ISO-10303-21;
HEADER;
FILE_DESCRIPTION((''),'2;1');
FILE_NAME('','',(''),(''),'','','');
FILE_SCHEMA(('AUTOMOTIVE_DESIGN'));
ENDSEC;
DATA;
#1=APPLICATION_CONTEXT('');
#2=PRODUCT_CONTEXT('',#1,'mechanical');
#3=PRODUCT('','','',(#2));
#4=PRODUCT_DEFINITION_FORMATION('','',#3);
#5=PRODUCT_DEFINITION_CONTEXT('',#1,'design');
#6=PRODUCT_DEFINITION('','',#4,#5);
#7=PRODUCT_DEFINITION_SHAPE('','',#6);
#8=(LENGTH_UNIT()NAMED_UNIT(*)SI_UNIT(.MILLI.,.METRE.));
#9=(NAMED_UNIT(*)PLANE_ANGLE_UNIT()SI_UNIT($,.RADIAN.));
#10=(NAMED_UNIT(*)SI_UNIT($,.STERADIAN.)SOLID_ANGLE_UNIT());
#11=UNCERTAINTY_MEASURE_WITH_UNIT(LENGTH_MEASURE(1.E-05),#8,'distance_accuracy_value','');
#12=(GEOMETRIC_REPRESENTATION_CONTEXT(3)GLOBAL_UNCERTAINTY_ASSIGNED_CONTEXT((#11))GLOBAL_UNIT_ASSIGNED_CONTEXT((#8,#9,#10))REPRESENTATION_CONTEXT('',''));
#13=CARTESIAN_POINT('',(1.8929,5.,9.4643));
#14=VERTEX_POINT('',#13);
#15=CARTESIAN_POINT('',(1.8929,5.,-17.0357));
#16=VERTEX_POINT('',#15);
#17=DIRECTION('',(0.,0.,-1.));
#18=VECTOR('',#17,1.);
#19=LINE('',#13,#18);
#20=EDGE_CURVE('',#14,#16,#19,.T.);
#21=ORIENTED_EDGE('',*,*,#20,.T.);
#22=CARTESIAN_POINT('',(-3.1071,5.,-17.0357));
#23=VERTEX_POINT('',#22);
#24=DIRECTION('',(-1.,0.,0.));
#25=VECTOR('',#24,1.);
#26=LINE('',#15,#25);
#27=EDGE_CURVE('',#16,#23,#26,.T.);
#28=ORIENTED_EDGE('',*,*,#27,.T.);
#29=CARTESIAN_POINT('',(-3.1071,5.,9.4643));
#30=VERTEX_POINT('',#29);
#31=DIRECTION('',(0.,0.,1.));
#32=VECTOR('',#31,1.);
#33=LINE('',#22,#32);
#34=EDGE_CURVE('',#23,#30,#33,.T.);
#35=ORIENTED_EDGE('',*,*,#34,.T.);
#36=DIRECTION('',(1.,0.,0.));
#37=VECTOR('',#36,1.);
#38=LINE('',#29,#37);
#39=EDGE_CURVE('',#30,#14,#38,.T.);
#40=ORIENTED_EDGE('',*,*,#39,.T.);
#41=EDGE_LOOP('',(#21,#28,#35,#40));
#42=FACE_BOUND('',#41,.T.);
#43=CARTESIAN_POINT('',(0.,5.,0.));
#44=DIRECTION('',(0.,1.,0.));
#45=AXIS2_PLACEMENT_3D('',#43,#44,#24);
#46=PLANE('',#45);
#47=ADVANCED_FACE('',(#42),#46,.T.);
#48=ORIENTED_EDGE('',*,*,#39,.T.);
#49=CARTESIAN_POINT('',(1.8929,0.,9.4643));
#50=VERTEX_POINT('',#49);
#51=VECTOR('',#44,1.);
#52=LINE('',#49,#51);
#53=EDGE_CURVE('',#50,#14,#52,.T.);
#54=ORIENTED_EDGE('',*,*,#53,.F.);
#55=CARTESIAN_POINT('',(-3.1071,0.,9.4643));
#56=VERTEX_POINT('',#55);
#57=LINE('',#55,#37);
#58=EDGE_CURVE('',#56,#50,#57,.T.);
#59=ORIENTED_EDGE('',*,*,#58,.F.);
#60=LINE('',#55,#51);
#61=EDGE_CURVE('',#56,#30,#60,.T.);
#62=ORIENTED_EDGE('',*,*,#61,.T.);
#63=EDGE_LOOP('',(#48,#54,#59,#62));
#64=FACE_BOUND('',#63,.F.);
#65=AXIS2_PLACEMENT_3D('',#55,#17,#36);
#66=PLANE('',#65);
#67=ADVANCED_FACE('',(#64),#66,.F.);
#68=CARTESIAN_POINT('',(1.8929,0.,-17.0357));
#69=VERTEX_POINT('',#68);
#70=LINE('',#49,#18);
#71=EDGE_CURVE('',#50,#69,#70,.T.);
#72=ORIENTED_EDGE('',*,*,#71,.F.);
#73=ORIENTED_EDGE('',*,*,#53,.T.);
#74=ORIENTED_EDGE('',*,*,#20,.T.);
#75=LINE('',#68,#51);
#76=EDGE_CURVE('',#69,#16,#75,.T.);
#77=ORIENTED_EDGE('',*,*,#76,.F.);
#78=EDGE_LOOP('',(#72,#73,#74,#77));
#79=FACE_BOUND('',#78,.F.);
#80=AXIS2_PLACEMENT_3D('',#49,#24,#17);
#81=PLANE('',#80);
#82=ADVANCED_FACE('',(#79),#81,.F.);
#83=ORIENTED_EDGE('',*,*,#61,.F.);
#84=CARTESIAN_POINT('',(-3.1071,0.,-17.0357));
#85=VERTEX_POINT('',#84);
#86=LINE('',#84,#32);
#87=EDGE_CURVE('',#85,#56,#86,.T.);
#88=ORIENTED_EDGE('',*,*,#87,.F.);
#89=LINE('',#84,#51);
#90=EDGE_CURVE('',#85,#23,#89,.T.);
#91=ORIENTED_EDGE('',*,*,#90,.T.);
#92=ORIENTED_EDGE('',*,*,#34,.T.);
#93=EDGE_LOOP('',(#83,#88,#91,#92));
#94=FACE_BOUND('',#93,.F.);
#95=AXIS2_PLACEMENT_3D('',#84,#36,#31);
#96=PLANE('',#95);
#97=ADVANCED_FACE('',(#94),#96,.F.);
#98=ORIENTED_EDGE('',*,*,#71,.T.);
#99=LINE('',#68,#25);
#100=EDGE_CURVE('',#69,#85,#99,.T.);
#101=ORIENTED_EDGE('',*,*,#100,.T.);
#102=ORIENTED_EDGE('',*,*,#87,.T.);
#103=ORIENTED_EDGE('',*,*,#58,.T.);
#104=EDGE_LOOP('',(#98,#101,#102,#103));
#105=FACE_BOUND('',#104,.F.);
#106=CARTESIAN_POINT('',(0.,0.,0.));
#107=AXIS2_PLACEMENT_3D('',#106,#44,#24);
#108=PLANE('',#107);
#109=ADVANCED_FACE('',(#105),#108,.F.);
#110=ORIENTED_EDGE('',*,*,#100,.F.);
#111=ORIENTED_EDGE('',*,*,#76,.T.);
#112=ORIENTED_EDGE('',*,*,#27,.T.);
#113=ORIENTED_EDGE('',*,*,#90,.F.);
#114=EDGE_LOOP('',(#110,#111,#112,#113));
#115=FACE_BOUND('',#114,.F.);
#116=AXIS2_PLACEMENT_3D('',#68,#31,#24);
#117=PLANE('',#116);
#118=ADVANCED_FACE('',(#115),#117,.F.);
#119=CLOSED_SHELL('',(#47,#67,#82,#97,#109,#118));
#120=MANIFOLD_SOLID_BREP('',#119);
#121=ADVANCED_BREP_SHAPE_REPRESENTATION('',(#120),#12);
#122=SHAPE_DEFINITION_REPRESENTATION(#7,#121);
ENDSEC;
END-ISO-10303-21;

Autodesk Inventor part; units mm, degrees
ref_plane "YZ Plane" through (0, 0, 0) normal (1, 0, 0) x (0, 1, 0)
ref_plane "XZ Plane" through (0, 0, 0) normal (0, 1, 0) x (-1, 0, 0)
ref_plane "XY Plane" through (0, 0, 0) normal (0, 0, 1) x (1, 0, 0)
sketch "Sketch1" plane through (0, 0, 0) normal (0, 1, 0) x (-1, 0, 0)
  line L0 (3.1071, 9.4643) -> (-1.8929, 9.4643)
  line L1 (-1.8929, 9.4643) -> (-1.8929, -17.0357)
  line L2 (-1.8929, -17.0357) -> (3.1071, -17.0357)
  line L3 (3.1071, -17.0357) -> (3.1071, 9.4643)
  point P0 (0, 0)
  dimension "d0" = 26.5
  dimension "d1" = 5
extrude "Extrusion1" add sketch "Sketch1" along normal blind 5
equation "\"BendRadius\" = Thickness"
equation "\"BendReliefWidth\" = Thickness"
equation "\"BendReliefDepth\" = 0.5 * Thickness"
equation "\"CornerReliefSize\" = 4 * Thickness"
equation "\"MinimumRemnant\" = 2 * Thickness"
equation "\"TransitionRadius\" = BendRadius"
equation "\"JacobiRadiusSize\" = BendRadius"
equation "\"GapSize\" = Thickness"
equation "\"Thickness\" = 0.5"
properties part number "Key"
